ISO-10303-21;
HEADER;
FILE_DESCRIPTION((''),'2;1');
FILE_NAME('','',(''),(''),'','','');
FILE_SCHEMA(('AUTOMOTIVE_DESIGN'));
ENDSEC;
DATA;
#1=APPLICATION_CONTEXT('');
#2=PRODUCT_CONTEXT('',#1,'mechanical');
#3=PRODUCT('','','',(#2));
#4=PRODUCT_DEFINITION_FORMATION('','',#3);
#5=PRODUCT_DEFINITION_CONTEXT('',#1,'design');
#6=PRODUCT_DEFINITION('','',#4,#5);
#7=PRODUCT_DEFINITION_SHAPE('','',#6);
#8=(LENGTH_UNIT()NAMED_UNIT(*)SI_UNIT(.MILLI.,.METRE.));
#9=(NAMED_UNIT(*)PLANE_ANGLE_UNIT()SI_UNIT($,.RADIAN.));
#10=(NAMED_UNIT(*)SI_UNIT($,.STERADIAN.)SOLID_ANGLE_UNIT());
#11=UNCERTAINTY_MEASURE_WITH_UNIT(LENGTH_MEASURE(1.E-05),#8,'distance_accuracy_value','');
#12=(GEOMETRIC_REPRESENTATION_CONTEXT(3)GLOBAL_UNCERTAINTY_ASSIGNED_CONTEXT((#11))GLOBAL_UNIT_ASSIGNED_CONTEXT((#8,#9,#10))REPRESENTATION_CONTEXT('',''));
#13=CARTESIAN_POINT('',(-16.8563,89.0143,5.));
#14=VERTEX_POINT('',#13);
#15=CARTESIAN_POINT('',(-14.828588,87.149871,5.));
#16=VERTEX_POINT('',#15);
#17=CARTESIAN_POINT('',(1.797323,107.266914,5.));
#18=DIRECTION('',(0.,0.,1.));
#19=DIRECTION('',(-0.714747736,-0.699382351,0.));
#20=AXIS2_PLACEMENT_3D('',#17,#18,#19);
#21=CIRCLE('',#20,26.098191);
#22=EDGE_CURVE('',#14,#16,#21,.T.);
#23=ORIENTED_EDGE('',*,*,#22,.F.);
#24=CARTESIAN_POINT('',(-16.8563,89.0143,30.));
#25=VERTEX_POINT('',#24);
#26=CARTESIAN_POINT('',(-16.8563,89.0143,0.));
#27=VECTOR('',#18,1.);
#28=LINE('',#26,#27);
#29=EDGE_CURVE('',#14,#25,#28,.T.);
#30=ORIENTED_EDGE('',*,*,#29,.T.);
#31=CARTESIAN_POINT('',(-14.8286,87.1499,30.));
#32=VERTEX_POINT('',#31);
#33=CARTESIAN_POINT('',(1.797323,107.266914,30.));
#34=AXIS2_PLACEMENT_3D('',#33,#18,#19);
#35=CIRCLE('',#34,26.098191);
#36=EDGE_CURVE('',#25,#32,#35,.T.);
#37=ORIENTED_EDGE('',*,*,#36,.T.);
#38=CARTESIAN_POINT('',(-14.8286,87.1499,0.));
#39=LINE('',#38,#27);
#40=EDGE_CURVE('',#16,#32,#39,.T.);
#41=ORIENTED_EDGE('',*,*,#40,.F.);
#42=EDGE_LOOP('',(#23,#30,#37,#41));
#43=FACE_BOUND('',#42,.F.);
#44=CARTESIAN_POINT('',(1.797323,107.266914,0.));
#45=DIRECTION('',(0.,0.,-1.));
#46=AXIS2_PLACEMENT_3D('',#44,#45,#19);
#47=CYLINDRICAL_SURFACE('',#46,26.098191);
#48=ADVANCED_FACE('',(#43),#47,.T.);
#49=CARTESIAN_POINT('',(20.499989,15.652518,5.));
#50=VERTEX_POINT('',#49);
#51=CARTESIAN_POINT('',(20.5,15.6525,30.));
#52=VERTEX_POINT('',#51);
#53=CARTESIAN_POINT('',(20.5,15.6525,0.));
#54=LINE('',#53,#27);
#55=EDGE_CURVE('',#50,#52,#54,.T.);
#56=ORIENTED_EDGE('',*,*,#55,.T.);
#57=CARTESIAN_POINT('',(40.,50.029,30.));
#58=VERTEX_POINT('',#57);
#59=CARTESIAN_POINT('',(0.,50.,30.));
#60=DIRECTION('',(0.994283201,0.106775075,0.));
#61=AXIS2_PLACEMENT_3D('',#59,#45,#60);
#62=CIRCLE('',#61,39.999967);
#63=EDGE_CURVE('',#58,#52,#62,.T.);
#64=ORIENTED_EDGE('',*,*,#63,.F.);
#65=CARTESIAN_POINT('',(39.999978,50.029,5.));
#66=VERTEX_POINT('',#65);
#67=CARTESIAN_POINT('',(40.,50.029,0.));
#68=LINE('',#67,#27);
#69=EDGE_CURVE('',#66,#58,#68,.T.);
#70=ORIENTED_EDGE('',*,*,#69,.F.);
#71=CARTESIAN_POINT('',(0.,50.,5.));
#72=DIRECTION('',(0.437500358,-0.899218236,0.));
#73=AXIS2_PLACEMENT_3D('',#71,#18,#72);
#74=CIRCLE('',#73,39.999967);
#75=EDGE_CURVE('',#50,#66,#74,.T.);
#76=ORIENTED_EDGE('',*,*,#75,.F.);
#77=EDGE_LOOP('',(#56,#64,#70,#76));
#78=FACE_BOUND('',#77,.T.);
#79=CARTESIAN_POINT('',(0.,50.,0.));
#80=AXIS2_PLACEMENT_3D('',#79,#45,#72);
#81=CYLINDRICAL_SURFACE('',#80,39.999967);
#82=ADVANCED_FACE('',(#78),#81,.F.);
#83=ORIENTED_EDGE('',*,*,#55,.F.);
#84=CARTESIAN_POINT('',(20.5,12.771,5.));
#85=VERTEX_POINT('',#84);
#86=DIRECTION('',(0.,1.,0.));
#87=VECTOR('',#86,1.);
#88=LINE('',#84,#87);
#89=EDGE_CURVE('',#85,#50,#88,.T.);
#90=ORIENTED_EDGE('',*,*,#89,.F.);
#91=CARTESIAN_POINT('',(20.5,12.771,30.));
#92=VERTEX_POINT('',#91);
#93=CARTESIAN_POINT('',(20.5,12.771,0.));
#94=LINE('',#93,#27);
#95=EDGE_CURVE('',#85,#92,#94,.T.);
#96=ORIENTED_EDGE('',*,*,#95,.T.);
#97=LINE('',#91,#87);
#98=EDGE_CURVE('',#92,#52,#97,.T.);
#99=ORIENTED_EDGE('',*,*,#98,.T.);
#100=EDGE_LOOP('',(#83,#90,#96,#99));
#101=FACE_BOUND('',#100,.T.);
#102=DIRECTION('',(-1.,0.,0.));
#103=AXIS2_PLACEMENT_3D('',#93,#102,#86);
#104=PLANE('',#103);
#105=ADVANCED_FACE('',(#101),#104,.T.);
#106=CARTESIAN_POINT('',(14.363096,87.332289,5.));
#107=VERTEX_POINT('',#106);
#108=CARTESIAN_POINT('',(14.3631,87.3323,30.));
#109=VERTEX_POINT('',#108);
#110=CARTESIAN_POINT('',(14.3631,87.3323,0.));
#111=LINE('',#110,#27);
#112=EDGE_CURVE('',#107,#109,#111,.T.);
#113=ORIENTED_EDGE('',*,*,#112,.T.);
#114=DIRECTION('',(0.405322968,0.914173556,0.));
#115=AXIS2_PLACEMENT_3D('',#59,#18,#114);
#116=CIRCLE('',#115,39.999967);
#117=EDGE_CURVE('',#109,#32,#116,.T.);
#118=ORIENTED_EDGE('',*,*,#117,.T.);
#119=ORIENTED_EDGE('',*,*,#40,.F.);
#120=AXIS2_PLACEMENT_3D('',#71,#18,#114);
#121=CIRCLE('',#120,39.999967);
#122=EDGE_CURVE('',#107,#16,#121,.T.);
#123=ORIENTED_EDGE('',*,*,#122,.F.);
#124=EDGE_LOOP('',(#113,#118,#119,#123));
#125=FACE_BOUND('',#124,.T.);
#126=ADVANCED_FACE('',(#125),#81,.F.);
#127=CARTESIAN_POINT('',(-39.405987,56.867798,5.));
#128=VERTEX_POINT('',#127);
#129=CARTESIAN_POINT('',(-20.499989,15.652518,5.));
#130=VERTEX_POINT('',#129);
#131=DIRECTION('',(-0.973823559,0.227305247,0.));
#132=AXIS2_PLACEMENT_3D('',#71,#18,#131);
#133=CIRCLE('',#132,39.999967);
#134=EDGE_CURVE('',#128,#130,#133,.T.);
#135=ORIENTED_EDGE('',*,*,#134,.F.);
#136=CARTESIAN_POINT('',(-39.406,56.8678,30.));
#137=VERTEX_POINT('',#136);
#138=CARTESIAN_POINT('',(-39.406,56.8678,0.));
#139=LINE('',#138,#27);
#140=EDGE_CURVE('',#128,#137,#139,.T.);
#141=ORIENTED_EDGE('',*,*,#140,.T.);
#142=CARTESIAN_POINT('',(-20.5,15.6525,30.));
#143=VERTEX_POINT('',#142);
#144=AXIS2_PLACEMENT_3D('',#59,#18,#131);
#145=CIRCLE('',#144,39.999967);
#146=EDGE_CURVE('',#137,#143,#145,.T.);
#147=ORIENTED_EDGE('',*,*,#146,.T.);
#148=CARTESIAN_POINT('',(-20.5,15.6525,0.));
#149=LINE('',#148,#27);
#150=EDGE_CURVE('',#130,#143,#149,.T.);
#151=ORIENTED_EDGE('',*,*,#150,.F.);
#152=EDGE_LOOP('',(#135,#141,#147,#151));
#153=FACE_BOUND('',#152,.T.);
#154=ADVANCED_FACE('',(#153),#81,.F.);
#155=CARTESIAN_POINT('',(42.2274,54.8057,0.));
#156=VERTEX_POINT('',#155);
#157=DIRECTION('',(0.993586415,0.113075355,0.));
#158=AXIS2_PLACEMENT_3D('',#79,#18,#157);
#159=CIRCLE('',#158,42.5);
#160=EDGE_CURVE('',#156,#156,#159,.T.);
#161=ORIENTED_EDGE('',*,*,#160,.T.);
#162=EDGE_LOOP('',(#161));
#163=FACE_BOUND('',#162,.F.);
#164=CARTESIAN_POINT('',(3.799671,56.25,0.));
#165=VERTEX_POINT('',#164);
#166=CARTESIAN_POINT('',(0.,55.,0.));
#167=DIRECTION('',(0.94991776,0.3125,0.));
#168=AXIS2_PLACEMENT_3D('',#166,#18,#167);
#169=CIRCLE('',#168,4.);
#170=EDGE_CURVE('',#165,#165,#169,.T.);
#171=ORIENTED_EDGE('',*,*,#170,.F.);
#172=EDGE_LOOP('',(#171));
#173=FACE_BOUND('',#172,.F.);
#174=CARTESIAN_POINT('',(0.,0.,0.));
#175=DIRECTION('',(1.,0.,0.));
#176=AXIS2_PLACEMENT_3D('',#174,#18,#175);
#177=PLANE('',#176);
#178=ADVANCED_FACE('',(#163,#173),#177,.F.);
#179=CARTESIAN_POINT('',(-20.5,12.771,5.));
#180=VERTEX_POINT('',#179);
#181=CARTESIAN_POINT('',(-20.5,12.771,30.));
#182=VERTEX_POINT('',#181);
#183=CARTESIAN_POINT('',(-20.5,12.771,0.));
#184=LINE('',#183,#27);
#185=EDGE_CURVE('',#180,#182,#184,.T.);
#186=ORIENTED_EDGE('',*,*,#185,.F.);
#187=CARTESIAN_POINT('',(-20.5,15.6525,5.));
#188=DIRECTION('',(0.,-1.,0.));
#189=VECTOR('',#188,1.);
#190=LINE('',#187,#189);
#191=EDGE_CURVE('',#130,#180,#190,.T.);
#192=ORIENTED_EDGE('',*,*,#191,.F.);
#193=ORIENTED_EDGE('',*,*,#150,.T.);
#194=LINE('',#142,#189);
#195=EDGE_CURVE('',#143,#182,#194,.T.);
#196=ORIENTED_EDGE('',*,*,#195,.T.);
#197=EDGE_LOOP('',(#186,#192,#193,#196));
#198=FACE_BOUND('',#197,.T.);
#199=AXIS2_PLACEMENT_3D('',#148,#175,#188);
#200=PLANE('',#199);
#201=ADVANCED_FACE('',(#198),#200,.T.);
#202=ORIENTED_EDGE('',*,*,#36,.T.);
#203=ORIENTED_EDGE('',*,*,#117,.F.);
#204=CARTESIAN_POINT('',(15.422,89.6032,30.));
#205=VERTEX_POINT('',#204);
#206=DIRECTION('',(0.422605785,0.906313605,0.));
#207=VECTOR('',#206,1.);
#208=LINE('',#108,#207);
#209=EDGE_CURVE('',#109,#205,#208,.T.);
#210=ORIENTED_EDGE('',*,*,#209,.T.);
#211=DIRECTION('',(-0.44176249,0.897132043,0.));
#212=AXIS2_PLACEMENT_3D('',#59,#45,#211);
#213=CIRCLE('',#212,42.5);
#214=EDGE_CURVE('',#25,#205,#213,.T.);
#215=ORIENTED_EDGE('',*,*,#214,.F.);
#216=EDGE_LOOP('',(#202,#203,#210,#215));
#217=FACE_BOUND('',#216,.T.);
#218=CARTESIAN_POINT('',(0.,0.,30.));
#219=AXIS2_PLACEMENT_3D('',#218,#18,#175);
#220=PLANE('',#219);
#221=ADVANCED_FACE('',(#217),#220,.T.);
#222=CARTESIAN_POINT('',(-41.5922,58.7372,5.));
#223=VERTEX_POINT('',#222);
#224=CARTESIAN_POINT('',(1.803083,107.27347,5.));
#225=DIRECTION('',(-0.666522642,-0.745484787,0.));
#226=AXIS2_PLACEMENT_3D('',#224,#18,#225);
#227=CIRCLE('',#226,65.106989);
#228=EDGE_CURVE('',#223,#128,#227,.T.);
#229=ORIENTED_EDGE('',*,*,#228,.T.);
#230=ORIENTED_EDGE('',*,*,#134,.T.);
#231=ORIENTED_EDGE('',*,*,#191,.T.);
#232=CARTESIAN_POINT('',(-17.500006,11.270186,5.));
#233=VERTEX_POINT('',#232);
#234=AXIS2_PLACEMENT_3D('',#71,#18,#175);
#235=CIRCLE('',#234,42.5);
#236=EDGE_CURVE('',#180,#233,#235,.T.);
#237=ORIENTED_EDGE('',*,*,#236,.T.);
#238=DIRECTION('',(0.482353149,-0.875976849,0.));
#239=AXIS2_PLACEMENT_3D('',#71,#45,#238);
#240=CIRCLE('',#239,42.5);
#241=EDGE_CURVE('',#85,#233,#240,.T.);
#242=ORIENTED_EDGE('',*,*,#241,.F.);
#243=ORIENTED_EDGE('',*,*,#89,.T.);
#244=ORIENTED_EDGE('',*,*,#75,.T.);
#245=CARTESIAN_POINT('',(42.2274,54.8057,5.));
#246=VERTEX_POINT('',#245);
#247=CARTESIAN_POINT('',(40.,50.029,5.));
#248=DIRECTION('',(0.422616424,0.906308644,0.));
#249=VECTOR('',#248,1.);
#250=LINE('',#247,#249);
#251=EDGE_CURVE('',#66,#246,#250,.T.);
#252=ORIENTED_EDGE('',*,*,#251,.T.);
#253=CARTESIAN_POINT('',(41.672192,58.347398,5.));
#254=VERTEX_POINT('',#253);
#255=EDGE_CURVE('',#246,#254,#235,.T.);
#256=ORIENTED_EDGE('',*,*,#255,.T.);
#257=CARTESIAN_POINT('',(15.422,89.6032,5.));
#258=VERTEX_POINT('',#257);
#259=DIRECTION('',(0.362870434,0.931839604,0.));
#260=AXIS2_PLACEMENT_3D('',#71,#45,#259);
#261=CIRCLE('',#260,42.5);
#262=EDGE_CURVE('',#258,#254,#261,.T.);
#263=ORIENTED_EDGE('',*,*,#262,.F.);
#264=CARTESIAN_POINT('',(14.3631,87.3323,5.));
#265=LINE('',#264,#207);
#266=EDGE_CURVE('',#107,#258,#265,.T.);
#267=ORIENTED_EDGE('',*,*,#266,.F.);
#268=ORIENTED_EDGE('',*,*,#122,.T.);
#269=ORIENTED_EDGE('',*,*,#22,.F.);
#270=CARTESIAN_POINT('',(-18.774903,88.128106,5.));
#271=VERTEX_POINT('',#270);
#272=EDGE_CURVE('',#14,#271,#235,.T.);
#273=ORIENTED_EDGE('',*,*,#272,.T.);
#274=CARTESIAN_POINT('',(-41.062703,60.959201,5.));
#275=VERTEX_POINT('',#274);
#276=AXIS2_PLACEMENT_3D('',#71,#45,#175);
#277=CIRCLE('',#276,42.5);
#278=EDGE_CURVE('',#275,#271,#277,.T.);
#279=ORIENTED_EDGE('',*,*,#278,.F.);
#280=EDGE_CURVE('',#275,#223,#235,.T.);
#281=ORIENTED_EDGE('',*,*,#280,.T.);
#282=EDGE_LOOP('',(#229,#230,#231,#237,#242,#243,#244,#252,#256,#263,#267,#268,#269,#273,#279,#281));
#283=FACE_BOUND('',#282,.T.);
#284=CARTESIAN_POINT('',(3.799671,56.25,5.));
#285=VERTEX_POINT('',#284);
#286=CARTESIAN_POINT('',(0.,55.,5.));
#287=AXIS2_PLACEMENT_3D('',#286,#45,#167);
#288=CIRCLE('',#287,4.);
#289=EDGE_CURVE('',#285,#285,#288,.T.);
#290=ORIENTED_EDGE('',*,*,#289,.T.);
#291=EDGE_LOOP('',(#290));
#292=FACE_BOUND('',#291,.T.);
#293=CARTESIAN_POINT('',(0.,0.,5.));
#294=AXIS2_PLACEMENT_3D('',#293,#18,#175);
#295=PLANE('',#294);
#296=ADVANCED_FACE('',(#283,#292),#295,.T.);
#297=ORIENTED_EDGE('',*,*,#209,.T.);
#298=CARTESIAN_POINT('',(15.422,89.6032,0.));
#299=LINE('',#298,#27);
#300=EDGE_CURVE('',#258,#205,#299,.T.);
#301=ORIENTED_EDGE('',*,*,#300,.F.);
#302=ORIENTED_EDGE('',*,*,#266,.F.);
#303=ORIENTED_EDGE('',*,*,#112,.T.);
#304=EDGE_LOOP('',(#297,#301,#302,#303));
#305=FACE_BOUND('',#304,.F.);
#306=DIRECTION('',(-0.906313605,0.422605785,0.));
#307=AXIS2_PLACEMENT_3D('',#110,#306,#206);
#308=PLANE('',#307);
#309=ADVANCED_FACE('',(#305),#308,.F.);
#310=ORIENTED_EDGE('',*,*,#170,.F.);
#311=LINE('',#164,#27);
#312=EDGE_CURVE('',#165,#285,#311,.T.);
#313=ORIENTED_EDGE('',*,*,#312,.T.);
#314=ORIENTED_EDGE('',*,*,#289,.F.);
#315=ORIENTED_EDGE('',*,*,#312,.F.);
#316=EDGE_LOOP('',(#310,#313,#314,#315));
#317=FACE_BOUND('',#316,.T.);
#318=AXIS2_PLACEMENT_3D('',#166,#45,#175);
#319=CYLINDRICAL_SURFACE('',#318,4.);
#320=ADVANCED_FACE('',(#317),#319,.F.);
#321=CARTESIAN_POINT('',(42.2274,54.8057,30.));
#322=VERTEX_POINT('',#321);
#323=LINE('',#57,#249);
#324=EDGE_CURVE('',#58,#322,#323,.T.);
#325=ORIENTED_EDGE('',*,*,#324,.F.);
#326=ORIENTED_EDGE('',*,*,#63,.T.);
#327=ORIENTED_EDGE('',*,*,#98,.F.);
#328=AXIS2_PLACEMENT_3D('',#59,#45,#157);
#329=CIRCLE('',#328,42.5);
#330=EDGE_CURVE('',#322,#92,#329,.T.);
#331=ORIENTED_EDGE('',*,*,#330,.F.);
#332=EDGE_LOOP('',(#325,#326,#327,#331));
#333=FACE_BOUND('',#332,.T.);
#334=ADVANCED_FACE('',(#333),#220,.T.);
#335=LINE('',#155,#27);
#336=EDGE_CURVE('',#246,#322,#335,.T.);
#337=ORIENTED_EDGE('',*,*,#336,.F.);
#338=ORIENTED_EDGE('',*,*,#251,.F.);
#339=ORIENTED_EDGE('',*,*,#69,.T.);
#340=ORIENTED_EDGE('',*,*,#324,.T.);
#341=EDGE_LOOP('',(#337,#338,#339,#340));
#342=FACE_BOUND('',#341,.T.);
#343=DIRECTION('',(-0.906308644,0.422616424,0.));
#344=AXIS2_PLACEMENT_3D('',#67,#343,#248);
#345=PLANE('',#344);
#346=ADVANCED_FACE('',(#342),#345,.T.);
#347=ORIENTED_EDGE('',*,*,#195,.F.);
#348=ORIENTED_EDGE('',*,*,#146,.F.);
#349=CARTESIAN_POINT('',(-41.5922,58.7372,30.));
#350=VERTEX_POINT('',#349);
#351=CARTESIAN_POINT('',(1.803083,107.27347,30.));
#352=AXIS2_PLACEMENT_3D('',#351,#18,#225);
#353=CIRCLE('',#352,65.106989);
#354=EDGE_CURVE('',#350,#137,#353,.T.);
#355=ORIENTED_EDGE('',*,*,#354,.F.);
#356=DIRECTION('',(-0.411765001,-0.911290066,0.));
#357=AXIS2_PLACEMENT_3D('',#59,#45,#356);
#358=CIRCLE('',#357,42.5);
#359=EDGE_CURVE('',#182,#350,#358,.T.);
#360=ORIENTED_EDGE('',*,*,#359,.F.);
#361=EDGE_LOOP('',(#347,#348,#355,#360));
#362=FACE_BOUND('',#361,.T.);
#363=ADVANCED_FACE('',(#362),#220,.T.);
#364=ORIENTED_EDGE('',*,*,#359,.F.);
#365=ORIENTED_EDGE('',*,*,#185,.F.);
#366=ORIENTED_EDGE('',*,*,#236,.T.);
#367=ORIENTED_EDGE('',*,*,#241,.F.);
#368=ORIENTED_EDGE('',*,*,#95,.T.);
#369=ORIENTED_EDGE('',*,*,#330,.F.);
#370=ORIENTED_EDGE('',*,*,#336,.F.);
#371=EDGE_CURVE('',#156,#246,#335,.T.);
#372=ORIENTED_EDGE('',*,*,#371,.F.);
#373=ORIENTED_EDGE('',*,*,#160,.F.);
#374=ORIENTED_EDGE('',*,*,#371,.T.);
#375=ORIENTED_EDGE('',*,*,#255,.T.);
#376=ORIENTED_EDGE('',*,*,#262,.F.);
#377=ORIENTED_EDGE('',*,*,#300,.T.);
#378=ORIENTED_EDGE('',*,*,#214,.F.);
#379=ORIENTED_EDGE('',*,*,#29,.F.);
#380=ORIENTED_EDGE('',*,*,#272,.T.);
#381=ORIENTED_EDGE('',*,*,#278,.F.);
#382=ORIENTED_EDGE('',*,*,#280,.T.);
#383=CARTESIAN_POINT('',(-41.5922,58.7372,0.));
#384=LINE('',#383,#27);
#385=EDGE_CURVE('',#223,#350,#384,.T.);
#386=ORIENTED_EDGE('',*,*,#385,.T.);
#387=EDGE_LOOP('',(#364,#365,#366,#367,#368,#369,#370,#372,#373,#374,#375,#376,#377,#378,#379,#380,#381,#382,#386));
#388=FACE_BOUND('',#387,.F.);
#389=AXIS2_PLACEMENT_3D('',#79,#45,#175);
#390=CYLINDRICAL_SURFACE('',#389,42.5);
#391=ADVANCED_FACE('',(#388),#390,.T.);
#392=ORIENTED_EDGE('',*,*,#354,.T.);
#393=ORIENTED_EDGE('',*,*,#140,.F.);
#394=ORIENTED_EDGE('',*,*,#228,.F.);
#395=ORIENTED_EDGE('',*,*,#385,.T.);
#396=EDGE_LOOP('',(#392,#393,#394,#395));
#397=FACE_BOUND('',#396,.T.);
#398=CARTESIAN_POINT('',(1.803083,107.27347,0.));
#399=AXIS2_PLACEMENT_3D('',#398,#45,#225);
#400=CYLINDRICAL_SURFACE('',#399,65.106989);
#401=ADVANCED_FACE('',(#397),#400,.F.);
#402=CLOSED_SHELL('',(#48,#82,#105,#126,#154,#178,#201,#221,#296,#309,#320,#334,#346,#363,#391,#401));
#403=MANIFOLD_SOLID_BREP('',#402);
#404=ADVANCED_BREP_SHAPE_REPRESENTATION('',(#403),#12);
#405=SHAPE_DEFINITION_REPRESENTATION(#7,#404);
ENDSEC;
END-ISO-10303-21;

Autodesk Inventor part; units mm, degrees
ref_plane "YZ Plane" through (0, 0, 0) normal (1, 0, 0) x (0, 1, 0)
ref_plane "XZ Plane" through (0, 0, 0) normal (0, 1, 0) x (-1, 0, 0)
ref_plane "XY Plane" through (0, 0, 0) normal (0, 0, 1) x (1, 0, 0)
sketch "Sketch1" plane through (0, 0, 0) normal (0, 0, 1) x (1, 0, 0)
  line L0 (17.5, 11.2702) -> (17.5, 14.0313)
  line L1 (-17.5, 14.0313) -> (-17.5, 11.2702)
  line L2 (20.5, 12.771) -> (20.5, 15.6525)
  line L3 (-20.5, 15.6525) -> (-20.5, 12.771)
  arc A0 (17.5, 14.0313) -> (-17.5, 14.0313) centre (0, 50) ccw
  line L4 (40, 50.029) -> (42.2274, 54.8057)
  line L5 (39.7713, 54.271) -> (41.6722, 58.3474)
  circle A1 centre (0, 50) radius 42.5
  arc A2 (-41.0627, 60.9592) -> (-38.9529, 59.0922) centre (1.7976, 107.2672) ccw
  arc A3 (-18.7749, 88.1281) -> (-16.8719, 86.2676) centre (1.7976, 107.2672) ccw
  arc A4 (-16.8563, 89.0143) -> (-14.8286, 87.1499) centre (1.7976, 107.2672) ccw
  line L6 (16.2129, 86.5669) -> (17.2697, 88.8331)
  line L7 (14.3631, 87.3323) -> (15.422, 89.6032)
  arc A5 (-41.5922, 58.7372) -> (-39.406, 56.8678) centre (1.7976, 107.2672) ccw
  circle A6 centre (0, 55) radius 4
  line L8 (-6, 53.75) -> (6, 53.75)
  line L9 (6, 53.75) -> (6, 56.25)
  line L10 (6, 56.25) -> (-6, 56.25)
  line L11 (-6, 56.25) -> (-6, 53.75)
  point P0 (0, 0)
  point P1 (20.5, 12.771)
  point P2 (42.2274, 54.8057)
  point P3 (-17.5, 11.2702)
  point P4 (17.5, 11.2702)
  point P5 (41.6722, 58.3474)
  point P6 (15.422, 89.6032)
  point P7 (17.2697, 88.8331)
  point P8 (-18.7749, 88.1281)
  point P9 (-16.8563, 89.0143)
  point P10 (-41.0627, 60.9592)
  point P11 (-3.7997, 53.75)
  point P12 (3.7997, 53.75)
  point P13 (3.7997, 56.25)
  point P14 (-3.7997, 56.25)
  point P15 (0, 44.1942)
  dimension "d87" = 40
  dimension "d167" = 85
  dimension "d168" = 2.5
  dimension "d33" = 2
  dimension "d79" = 3
  dimension "d80" = 3
  dimension "d81" = 35
  dimension "d92" = 2
  dimension "d93" = 35
  dimension "d94" = 50
  dimension "d95" = 17.5
  dimension "d146" = 8
  dimension "d147" = 12
  dimension "d148" = 2.5
  dimension "d153" = 55
  dimension "d154" = 1.25
  dimension "d169" = 35
extrude "Extrusion12" add sketch "Sketch1" along normal blind 5 contours A1 L1 A0 L0 | L0 A0 L2 A1 | A1 L3 A0 L1 | L2 A0 L4 A1 | A1 A5 A0 L3 | A0 L5 A1 L4 | A1 A2 A0 A5 | A0 L6 A1 L5 | A1 A3 A0 A2 | A0 L7 A1 L6 | A1 A4 A0 A3 | A0 A4 A1 L7 | A6 L8 L10 | A6 L10 L9 L8 | L10 A6 | A6 L8 | A6 L8 L11 L10
extrude "Extrusion13" add sketch "Sketch1" along normal blind 5 contours A1 L1 A0 L0 | A6 L8 L10 | A6 L10 L9 L8 | L10 A6 | A6 L8 | A6 L8 L11 L10
extrude "Extrusion14" cut sketch "Sketch1" along normal blind 17 contours A6 L8 L10 | A6 L10 L9 L8 | L10 A6 | A6 L8 | A6 L8 L11 L10
extrude "Extrusion15" add sketch "Sketch1" along normal blind 5 contours A6 L10 L9 L8 | A6 L8 L11 L10
extrude "Extrusion16" add sketch "Sketch1" along normal blind 30 contours L2 A0 L4 A1 | A1 A5 A0 L3 | A0 L7 A1 L6 | A0 A4 A1 L7
extrude "Extrusion17" add sketch "Sketch1" along normal blind 30 contours L0 A0 L2 A1 | A1 L3 A0 L1 | A0 L5 A1 L4 | A1 A2 A0 A5 | A1 A4 A0 A3
extrude "Extrusion18" cut sketch "Sketch1" along normal blind 30 contours L0 A0 L2 A1 | A1 L3 A0 L1 | A0 L5 A1 L4 | A1 A2 A0 A5 | A0 L7 A1 L6 | A1 A4 A0 A3
extrude "Extrusion19" add sketch "Sketch1" along normal blind 5 contours L0 A0 L2 A1 | A1 L3 A0 L1 | A0 L5 A1 L4 | A1 A2 A0 A5 | A0 L7 A1 L6 | A1 A4 A0 A3
